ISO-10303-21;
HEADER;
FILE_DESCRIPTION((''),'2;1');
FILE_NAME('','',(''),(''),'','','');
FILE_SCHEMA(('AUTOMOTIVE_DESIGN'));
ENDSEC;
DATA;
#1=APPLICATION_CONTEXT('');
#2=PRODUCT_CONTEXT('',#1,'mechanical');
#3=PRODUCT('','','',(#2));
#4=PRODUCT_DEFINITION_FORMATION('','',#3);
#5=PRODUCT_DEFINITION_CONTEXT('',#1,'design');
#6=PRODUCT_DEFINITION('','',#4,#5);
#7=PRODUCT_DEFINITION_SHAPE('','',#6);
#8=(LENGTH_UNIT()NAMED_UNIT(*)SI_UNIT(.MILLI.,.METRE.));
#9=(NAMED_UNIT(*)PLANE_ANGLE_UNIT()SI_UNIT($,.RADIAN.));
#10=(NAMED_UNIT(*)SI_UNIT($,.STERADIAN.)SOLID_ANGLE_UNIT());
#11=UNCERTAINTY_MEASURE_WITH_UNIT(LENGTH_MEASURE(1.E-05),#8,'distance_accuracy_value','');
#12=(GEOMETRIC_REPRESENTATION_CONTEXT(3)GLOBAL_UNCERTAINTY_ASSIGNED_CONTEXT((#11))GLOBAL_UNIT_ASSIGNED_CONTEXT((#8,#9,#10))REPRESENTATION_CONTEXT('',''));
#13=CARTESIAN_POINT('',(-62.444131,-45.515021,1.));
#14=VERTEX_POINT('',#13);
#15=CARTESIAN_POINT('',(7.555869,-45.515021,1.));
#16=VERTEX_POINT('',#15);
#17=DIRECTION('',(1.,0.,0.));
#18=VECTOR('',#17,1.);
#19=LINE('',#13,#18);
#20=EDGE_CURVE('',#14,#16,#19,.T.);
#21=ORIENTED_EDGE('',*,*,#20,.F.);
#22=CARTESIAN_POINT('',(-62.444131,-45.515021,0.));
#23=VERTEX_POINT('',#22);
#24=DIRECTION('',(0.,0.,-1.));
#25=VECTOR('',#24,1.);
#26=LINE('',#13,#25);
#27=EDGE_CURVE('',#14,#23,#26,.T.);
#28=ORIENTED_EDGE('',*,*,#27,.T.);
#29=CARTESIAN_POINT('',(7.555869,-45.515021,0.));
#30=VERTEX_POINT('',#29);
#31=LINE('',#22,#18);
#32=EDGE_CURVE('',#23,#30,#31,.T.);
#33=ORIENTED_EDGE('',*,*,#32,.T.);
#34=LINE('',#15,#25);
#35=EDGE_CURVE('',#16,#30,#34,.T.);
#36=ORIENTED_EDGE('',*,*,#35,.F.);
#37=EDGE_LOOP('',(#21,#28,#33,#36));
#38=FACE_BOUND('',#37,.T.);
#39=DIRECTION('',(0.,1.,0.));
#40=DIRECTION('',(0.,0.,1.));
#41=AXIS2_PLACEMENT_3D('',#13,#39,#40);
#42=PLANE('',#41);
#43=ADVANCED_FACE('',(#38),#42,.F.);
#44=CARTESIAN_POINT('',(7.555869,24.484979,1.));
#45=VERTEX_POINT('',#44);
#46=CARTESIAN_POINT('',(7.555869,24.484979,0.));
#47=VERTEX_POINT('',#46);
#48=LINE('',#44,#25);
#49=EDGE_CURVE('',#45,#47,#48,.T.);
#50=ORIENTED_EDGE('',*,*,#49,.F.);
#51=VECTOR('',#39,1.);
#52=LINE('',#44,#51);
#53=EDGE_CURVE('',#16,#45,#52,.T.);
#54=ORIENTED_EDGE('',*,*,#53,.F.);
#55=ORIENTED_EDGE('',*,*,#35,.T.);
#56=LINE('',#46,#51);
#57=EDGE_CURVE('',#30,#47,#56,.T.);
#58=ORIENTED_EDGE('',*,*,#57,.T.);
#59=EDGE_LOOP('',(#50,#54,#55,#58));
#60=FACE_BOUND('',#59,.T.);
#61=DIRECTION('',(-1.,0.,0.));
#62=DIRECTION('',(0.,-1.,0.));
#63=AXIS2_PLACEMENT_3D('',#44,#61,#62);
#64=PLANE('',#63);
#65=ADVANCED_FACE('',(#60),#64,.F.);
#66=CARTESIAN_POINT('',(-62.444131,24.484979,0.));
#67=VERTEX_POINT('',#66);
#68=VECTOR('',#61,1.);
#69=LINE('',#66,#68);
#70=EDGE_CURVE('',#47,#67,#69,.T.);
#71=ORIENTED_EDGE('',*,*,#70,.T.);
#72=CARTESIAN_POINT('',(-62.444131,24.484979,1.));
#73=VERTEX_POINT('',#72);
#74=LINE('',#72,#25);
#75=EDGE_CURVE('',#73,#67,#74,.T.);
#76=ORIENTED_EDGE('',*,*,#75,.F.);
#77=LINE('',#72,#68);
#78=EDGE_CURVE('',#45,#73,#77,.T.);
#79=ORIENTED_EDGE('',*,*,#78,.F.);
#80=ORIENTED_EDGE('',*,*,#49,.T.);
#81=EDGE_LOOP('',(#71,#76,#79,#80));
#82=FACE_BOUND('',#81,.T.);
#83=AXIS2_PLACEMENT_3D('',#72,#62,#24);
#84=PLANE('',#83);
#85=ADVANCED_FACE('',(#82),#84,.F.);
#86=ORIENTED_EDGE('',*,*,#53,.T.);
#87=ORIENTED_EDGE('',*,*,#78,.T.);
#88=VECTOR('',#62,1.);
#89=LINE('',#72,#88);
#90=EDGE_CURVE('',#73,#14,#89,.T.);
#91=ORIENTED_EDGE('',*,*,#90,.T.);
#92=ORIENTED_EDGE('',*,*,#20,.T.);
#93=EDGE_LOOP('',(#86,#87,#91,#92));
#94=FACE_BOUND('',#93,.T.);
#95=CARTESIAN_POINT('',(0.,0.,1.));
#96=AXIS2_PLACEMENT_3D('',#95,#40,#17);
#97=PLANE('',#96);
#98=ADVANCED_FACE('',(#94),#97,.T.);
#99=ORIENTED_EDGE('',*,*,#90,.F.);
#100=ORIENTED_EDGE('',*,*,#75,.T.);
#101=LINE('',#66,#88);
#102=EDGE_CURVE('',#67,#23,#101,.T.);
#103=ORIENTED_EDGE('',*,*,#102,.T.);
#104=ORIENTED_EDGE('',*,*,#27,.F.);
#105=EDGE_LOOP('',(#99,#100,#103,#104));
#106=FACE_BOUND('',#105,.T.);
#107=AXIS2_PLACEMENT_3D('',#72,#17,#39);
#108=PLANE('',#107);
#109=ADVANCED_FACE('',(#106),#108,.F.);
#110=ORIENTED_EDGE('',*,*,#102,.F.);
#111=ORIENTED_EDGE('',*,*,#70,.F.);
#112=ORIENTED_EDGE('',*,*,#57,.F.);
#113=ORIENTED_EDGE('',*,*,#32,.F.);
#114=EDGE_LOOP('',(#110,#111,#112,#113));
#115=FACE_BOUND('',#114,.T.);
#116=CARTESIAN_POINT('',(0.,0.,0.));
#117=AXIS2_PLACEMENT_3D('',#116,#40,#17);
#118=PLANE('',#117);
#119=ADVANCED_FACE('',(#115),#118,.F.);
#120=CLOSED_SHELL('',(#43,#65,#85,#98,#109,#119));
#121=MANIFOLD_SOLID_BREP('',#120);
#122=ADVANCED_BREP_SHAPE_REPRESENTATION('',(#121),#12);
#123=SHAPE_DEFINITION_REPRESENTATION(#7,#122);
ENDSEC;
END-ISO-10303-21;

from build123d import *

# Parameters (mm, degrees)
CROQUIS1_W              = 70
CROQUIS1_H              = 70
SALIENTE_EXTRUIR1_DEPTH = 1


with BuildPart() as part:
    # Croquis1 → Saliente-Extruir1 (new body)
    with BuildSketch(Plane.XY):
        with Locations((-27.444130776, -10.515021459)):
            Rectangle(CROQUIS1_W, CROQUIS1_H)
    extrude(amount=SALIENTE_EXTRUIR1_DEPTH)


solid = part.part
